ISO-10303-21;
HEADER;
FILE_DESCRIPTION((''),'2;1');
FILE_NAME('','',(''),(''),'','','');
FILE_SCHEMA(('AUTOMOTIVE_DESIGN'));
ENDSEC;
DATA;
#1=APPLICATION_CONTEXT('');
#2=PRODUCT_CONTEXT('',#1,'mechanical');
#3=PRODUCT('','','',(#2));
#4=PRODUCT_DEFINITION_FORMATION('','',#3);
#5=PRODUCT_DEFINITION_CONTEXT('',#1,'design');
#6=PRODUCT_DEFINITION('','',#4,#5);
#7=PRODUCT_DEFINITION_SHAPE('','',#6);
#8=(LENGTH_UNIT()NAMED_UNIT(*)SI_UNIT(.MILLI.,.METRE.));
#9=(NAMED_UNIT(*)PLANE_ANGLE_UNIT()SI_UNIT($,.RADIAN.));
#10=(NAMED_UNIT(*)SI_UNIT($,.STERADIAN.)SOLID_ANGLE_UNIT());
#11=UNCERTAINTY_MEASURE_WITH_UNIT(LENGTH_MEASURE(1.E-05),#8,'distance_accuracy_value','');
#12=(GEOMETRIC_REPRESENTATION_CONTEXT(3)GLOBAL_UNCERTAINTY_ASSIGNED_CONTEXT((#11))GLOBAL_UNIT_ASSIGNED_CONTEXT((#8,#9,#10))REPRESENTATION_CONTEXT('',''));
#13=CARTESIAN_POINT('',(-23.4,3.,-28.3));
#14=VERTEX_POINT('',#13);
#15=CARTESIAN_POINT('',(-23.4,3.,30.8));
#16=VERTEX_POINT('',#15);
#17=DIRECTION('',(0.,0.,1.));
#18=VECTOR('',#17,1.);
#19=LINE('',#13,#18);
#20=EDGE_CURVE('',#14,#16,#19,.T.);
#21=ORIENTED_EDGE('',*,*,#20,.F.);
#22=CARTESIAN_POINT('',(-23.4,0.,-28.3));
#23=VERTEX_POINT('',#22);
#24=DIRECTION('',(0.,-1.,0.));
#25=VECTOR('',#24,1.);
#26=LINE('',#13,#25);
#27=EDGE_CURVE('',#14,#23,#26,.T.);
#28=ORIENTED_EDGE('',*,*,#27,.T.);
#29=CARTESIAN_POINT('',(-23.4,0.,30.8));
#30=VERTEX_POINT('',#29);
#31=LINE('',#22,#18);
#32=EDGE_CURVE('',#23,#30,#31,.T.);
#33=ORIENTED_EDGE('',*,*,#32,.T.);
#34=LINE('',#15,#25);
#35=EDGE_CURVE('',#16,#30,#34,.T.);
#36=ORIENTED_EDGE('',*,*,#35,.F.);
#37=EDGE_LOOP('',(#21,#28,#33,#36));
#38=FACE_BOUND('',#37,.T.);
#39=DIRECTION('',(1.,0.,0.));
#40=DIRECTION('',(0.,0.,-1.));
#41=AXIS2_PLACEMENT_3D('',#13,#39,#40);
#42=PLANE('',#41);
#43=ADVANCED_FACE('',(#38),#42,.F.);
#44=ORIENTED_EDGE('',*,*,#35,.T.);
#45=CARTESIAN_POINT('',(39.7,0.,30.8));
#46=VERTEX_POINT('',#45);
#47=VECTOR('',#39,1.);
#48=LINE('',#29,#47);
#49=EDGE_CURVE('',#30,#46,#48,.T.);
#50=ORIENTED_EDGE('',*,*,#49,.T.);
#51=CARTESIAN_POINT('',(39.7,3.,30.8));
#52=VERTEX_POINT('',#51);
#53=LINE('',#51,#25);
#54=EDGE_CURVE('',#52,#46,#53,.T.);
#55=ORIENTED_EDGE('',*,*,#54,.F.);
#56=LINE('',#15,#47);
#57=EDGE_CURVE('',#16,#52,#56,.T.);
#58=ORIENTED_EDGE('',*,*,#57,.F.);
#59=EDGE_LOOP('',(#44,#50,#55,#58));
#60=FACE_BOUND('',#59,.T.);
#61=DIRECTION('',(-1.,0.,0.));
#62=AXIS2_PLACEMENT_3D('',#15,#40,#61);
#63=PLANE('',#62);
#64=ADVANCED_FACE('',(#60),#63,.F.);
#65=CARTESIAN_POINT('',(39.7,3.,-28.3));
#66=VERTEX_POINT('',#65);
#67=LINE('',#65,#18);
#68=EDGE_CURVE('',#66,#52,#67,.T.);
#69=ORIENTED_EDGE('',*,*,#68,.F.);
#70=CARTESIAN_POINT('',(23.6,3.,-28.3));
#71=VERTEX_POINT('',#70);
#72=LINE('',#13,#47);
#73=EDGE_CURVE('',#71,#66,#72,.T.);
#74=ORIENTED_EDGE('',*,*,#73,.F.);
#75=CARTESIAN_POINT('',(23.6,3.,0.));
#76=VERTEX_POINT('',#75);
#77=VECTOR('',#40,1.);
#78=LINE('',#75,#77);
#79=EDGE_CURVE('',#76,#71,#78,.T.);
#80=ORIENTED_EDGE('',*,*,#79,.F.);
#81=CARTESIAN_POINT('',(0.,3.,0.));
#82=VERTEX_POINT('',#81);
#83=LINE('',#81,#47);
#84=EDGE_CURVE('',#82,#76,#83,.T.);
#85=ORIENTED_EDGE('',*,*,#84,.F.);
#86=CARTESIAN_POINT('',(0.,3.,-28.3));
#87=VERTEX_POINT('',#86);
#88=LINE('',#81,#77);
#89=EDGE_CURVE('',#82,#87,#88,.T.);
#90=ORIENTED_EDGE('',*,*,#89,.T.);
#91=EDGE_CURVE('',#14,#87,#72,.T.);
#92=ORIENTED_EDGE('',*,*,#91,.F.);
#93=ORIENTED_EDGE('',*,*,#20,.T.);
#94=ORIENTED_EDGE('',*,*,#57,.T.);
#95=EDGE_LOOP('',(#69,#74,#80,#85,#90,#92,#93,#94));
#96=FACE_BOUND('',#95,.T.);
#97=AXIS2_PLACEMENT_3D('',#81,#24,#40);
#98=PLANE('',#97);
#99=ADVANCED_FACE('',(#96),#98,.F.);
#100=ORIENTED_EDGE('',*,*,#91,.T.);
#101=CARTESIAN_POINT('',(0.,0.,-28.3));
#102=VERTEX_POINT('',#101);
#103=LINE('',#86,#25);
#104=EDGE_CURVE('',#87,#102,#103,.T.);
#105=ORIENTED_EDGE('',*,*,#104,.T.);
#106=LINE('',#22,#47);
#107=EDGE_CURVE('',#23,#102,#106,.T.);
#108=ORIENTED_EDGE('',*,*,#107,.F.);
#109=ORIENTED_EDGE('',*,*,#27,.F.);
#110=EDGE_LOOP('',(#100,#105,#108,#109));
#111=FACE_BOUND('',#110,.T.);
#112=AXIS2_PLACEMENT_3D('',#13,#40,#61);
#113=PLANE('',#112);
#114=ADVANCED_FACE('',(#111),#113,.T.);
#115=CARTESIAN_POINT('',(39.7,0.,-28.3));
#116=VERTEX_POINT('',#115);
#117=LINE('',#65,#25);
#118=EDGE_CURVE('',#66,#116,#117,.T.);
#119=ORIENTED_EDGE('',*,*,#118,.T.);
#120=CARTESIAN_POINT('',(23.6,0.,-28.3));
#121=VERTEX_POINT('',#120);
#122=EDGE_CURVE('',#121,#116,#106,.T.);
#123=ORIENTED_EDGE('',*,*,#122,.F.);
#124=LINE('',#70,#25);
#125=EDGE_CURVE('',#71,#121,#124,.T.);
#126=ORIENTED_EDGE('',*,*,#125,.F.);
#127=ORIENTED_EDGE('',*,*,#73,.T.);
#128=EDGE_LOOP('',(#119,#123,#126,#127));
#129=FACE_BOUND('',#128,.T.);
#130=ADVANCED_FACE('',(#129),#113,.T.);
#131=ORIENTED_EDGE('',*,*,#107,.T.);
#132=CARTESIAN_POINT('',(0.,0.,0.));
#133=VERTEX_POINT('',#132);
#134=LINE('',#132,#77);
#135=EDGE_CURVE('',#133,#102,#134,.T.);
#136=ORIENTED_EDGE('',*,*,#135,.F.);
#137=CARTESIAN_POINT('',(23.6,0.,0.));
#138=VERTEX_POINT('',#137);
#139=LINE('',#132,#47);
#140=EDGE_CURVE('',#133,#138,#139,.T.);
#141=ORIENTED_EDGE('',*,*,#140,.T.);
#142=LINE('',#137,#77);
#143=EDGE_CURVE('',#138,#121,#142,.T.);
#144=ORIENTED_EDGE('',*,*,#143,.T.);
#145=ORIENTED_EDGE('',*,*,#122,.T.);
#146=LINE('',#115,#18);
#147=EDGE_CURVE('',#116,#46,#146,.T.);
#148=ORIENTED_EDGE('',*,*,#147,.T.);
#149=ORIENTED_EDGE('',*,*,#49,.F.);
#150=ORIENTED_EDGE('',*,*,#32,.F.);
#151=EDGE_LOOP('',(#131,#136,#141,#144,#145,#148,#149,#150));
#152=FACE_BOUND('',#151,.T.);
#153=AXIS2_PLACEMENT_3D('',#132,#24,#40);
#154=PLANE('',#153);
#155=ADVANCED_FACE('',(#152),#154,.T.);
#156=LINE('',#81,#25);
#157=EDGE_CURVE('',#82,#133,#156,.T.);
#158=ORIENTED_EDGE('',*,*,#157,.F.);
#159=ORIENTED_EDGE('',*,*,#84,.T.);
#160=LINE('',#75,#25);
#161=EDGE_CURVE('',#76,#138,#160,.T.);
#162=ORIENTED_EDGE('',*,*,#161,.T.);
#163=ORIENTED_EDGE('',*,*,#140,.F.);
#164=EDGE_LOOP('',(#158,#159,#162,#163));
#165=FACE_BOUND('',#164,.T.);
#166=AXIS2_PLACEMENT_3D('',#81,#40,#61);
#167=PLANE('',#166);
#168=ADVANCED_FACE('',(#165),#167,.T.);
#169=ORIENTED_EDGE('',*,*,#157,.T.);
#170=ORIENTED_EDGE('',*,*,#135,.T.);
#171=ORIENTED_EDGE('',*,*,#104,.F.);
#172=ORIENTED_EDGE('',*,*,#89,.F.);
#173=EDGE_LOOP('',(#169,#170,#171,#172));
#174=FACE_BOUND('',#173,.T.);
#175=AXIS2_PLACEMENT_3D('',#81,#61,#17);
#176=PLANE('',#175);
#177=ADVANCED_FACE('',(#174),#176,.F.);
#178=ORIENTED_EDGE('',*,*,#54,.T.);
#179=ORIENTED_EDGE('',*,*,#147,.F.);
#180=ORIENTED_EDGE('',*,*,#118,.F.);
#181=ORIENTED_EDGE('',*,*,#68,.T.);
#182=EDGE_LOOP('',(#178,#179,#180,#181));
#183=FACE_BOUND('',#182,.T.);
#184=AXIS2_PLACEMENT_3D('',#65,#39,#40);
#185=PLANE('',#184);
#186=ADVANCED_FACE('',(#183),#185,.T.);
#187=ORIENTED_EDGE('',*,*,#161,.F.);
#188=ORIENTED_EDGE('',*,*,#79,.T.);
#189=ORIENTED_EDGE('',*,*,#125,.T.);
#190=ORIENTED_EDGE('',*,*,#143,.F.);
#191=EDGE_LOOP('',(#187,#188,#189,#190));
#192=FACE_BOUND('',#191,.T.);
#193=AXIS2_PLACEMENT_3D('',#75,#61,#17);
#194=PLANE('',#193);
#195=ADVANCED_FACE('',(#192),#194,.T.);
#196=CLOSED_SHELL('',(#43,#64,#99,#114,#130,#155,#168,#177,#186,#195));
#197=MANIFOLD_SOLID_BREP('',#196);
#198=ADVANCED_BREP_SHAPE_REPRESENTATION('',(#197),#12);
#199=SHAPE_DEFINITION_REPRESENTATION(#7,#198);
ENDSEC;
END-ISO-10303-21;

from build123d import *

# Parameters (mm, degrees)
BOSS_EXTRUDE1_DEPTH = 3


with BuildPart() as part:
    # Sketch3 → Boss-Extrude1 (new body)
    with BuildSketch(Plane(origin=(0, 0, 0), x_dir=(1, 0, 0), z_dir=(0, 1, 0))):
        Polygon((23.6, 0), (0, 0), (0, 28.3), (-23.4, 28.3), (-23.4, -30.8), (39.7, -30.8), (39.7, 28.3), (23.6, 28.3), align=None)
    extrude(amount=BOSS_EXTRUDE1_DEPTH)


solid = part.part
